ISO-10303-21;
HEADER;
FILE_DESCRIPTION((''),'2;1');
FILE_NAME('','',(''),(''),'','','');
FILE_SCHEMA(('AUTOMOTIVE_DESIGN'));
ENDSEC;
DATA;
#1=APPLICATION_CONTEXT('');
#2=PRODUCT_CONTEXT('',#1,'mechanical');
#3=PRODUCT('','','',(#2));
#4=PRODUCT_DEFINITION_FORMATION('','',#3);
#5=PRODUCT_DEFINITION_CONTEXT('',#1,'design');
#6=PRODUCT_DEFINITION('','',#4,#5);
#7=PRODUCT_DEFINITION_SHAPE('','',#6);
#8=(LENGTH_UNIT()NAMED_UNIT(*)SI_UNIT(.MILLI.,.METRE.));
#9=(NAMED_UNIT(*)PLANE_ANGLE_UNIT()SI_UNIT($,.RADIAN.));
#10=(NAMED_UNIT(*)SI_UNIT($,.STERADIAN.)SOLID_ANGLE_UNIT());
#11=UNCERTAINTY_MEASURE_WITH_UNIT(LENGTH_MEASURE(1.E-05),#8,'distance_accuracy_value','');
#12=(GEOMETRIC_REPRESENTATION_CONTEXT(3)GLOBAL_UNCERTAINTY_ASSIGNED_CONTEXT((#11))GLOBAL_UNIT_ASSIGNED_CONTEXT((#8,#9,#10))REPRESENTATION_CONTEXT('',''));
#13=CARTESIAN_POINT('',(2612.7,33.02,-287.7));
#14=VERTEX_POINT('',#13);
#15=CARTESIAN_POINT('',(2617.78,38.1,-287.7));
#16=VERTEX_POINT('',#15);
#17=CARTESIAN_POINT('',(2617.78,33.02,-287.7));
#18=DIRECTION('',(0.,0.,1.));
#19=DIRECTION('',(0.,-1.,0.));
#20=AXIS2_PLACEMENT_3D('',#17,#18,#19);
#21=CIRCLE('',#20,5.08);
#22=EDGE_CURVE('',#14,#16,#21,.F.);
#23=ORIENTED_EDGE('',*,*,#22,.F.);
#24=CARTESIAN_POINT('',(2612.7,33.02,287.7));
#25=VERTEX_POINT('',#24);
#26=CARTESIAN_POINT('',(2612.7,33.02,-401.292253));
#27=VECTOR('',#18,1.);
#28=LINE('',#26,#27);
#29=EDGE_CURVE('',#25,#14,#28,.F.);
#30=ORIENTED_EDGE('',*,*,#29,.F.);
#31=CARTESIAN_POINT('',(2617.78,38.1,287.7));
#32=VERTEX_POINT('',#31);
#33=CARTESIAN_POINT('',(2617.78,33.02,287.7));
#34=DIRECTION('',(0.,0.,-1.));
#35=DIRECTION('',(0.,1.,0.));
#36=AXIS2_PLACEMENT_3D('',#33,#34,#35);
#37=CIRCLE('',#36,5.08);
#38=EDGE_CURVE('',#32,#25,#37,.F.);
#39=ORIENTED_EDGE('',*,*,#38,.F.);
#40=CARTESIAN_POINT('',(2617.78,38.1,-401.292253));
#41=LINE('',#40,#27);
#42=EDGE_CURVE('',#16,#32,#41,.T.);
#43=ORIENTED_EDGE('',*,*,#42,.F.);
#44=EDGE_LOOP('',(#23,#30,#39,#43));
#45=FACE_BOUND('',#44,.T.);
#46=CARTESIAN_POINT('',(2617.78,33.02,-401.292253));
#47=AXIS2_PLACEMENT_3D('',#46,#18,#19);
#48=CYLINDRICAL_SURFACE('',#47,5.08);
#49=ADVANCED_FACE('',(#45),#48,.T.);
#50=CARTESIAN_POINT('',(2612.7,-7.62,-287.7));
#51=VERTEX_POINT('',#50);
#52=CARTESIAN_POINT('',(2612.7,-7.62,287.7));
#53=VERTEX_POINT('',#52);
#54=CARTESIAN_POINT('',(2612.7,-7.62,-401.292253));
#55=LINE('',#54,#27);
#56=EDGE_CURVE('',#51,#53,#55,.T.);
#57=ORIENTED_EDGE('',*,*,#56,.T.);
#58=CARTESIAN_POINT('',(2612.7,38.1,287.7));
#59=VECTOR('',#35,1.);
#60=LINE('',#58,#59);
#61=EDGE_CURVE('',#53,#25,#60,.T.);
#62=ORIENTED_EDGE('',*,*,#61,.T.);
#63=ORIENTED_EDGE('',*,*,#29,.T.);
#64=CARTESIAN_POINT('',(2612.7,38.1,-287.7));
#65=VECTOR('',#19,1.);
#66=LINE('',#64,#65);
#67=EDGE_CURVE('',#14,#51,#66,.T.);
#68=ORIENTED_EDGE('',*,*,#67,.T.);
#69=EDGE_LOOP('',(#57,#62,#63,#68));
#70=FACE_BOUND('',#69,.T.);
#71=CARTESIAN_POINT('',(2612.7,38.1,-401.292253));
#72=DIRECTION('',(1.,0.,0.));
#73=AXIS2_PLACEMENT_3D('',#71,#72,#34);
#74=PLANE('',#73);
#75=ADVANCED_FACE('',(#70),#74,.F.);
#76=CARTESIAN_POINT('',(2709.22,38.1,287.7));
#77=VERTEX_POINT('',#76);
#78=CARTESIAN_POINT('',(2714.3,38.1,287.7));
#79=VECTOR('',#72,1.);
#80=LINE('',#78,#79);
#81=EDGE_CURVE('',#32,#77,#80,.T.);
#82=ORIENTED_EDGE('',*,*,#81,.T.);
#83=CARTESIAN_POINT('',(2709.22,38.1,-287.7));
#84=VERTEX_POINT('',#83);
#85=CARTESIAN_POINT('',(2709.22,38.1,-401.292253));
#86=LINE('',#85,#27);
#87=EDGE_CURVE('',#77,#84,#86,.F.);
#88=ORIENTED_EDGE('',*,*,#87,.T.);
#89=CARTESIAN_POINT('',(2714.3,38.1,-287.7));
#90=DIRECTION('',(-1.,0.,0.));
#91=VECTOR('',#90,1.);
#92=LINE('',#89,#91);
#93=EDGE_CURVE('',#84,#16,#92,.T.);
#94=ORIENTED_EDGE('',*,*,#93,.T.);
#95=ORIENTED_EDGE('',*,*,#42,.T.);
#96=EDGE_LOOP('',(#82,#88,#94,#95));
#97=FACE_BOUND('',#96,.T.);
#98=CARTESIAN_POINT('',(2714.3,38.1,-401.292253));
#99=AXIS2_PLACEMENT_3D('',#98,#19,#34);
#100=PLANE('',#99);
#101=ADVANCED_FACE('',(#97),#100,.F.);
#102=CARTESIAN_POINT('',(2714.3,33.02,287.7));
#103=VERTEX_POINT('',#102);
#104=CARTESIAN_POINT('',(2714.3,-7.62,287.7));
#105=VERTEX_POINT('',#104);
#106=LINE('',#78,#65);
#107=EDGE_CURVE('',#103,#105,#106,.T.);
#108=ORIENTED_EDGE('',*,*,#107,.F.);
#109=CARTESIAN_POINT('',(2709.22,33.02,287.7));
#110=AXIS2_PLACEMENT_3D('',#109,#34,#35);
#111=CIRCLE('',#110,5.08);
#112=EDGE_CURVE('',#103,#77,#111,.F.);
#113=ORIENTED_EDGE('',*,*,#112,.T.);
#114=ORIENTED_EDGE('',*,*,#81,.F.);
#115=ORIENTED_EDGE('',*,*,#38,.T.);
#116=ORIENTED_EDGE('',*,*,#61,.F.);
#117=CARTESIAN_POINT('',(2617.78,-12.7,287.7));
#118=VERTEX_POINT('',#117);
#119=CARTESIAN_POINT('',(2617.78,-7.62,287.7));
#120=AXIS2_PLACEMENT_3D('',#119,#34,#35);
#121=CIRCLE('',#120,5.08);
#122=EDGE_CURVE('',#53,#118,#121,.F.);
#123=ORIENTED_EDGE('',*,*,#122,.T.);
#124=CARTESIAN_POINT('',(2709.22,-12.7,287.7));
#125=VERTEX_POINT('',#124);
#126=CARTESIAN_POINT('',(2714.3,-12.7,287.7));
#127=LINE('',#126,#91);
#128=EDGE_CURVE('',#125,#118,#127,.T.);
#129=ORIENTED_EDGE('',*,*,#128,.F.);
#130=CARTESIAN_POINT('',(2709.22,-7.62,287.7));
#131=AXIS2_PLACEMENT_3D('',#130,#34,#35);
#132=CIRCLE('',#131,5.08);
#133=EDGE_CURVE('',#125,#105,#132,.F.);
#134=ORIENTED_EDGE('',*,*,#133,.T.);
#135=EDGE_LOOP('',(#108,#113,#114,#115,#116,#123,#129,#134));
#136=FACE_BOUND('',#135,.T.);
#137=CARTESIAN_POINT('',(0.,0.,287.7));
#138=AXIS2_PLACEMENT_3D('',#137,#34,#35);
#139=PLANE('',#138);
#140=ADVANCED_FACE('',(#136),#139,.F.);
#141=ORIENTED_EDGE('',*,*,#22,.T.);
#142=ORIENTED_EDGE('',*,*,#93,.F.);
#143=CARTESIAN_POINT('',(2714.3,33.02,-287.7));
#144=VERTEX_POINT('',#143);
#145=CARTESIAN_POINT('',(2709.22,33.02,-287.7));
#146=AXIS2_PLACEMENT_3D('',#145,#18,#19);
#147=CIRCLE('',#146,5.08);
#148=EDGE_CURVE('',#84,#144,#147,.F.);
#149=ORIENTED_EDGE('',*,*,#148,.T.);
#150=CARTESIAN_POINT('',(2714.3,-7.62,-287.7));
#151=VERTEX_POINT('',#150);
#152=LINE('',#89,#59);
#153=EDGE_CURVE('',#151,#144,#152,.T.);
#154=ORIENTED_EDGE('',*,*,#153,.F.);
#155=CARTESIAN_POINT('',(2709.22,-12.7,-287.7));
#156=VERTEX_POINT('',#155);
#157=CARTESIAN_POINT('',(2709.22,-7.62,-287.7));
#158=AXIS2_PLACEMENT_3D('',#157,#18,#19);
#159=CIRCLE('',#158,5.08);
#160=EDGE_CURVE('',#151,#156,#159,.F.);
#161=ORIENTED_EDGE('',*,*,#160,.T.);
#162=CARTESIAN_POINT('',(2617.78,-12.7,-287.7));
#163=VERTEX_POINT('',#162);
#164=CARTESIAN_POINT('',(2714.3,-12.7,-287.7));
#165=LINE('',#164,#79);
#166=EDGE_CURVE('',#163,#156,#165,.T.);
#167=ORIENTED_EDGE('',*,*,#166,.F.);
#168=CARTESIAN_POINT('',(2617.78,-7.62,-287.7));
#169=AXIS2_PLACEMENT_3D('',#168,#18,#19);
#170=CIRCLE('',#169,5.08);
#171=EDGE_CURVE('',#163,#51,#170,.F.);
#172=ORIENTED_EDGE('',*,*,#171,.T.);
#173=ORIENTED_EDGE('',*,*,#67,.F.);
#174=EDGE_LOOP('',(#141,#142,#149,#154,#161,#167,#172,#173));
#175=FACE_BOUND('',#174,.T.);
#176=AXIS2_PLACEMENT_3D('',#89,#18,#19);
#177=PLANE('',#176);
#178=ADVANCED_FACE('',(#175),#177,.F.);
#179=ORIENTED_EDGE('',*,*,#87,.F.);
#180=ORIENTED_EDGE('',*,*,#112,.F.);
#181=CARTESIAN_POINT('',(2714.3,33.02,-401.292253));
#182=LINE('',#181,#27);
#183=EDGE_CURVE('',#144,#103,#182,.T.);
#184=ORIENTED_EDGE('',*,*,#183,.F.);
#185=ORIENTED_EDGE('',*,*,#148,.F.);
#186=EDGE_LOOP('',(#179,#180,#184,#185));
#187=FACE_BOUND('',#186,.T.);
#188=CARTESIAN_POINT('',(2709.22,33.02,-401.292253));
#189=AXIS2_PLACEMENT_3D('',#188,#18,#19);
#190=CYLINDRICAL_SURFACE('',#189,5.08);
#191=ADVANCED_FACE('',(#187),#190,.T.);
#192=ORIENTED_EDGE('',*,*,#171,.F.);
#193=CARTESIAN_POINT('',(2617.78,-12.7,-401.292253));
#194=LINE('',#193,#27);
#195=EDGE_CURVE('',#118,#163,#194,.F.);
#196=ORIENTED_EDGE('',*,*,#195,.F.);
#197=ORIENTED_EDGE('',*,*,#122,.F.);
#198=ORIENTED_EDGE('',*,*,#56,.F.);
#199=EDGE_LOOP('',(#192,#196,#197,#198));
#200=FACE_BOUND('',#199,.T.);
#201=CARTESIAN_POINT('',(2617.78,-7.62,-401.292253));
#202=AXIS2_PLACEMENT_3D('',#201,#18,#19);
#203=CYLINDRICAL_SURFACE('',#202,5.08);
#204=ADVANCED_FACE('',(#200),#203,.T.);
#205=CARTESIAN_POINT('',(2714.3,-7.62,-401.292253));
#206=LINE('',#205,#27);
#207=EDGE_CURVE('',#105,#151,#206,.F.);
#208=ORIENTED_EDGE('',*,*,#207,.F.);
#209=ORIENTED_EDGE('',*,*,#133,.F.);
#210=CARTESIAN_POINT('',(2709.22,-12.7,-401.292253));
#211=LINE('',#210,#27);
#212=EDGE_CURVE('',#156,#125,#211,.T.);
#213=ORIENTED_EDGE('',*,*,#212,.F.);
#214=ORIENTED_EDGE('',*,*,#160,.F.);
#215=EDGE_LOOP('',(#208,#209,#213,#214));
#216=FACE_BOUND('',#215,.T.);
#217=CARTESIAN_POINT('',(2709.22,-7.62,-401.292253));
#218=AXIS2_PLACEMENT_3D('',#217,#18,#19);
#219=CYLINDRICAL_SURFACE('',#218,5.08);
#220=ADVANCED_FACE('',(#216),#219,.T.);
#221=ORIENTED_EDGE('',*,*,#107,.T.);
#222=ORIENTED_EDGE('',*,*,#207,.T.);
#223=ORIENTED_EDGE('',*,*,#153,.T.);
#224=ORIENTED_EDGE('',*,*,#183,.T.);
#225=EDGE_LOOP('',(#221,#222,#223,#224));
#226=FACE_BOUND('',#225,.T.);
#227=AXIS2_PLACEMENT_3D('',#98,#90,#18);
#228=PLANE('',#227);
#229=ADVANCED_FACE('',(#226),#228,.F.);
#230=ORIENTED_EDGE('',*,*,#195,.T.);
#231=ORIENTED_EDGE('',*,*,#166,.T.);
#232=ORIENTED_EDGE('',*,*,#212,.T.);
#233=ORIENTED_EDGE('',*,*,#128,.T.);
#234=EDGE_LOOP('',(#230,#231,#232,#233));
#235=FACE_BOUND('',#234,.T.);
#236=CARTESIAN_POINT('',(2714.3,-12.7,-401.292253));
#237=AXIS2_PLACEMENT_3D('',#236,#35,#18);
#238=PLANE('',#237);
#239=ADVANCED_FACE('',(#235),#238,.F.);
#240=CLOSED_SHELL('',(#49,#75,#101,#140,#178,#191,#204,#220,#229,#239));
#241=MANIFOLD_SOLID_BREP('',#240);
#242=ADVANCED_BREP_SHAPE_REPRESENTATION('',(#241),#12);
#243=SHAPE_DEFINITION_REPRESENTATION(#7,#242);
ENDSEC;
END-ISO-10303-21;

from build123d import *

# Parameters (mm, degrees)
SKETCH2_W           = 101.6
SKETCH2_H           = 50.8
BOSS_EXTRUDE1_DEPTH = 575.4
FILLET1_R           = 5.08


with BuildPart() as part:
    # Sketch2 → Boss-Extrude1 (new body)
    with BuildSketch(Plane(origin=(0, 0, 287.7), x_dir=(-1, 0, 0), z_dir=(0, 0, -1))):
        with Locations((-2663.5, 12.7)):
            Rectangle(SKETCH2_W, SKETCH2_H)
    extrude(amount=BOSS_EXTRUDE1_DEPTH)

    # Fillet1
    fillet1_edges = [part.edges().sort_by_distance(p)[0] for p in [
        (2714.3, 38.1, 0),
        (2612.7, 38.1, 0),
        (2612.7, -12.7, 0),
        (2714.3, -12.7, 0),
    ]]
    fillet(fillet1_edges, radius=FILLET1_R)


solid = part.part
